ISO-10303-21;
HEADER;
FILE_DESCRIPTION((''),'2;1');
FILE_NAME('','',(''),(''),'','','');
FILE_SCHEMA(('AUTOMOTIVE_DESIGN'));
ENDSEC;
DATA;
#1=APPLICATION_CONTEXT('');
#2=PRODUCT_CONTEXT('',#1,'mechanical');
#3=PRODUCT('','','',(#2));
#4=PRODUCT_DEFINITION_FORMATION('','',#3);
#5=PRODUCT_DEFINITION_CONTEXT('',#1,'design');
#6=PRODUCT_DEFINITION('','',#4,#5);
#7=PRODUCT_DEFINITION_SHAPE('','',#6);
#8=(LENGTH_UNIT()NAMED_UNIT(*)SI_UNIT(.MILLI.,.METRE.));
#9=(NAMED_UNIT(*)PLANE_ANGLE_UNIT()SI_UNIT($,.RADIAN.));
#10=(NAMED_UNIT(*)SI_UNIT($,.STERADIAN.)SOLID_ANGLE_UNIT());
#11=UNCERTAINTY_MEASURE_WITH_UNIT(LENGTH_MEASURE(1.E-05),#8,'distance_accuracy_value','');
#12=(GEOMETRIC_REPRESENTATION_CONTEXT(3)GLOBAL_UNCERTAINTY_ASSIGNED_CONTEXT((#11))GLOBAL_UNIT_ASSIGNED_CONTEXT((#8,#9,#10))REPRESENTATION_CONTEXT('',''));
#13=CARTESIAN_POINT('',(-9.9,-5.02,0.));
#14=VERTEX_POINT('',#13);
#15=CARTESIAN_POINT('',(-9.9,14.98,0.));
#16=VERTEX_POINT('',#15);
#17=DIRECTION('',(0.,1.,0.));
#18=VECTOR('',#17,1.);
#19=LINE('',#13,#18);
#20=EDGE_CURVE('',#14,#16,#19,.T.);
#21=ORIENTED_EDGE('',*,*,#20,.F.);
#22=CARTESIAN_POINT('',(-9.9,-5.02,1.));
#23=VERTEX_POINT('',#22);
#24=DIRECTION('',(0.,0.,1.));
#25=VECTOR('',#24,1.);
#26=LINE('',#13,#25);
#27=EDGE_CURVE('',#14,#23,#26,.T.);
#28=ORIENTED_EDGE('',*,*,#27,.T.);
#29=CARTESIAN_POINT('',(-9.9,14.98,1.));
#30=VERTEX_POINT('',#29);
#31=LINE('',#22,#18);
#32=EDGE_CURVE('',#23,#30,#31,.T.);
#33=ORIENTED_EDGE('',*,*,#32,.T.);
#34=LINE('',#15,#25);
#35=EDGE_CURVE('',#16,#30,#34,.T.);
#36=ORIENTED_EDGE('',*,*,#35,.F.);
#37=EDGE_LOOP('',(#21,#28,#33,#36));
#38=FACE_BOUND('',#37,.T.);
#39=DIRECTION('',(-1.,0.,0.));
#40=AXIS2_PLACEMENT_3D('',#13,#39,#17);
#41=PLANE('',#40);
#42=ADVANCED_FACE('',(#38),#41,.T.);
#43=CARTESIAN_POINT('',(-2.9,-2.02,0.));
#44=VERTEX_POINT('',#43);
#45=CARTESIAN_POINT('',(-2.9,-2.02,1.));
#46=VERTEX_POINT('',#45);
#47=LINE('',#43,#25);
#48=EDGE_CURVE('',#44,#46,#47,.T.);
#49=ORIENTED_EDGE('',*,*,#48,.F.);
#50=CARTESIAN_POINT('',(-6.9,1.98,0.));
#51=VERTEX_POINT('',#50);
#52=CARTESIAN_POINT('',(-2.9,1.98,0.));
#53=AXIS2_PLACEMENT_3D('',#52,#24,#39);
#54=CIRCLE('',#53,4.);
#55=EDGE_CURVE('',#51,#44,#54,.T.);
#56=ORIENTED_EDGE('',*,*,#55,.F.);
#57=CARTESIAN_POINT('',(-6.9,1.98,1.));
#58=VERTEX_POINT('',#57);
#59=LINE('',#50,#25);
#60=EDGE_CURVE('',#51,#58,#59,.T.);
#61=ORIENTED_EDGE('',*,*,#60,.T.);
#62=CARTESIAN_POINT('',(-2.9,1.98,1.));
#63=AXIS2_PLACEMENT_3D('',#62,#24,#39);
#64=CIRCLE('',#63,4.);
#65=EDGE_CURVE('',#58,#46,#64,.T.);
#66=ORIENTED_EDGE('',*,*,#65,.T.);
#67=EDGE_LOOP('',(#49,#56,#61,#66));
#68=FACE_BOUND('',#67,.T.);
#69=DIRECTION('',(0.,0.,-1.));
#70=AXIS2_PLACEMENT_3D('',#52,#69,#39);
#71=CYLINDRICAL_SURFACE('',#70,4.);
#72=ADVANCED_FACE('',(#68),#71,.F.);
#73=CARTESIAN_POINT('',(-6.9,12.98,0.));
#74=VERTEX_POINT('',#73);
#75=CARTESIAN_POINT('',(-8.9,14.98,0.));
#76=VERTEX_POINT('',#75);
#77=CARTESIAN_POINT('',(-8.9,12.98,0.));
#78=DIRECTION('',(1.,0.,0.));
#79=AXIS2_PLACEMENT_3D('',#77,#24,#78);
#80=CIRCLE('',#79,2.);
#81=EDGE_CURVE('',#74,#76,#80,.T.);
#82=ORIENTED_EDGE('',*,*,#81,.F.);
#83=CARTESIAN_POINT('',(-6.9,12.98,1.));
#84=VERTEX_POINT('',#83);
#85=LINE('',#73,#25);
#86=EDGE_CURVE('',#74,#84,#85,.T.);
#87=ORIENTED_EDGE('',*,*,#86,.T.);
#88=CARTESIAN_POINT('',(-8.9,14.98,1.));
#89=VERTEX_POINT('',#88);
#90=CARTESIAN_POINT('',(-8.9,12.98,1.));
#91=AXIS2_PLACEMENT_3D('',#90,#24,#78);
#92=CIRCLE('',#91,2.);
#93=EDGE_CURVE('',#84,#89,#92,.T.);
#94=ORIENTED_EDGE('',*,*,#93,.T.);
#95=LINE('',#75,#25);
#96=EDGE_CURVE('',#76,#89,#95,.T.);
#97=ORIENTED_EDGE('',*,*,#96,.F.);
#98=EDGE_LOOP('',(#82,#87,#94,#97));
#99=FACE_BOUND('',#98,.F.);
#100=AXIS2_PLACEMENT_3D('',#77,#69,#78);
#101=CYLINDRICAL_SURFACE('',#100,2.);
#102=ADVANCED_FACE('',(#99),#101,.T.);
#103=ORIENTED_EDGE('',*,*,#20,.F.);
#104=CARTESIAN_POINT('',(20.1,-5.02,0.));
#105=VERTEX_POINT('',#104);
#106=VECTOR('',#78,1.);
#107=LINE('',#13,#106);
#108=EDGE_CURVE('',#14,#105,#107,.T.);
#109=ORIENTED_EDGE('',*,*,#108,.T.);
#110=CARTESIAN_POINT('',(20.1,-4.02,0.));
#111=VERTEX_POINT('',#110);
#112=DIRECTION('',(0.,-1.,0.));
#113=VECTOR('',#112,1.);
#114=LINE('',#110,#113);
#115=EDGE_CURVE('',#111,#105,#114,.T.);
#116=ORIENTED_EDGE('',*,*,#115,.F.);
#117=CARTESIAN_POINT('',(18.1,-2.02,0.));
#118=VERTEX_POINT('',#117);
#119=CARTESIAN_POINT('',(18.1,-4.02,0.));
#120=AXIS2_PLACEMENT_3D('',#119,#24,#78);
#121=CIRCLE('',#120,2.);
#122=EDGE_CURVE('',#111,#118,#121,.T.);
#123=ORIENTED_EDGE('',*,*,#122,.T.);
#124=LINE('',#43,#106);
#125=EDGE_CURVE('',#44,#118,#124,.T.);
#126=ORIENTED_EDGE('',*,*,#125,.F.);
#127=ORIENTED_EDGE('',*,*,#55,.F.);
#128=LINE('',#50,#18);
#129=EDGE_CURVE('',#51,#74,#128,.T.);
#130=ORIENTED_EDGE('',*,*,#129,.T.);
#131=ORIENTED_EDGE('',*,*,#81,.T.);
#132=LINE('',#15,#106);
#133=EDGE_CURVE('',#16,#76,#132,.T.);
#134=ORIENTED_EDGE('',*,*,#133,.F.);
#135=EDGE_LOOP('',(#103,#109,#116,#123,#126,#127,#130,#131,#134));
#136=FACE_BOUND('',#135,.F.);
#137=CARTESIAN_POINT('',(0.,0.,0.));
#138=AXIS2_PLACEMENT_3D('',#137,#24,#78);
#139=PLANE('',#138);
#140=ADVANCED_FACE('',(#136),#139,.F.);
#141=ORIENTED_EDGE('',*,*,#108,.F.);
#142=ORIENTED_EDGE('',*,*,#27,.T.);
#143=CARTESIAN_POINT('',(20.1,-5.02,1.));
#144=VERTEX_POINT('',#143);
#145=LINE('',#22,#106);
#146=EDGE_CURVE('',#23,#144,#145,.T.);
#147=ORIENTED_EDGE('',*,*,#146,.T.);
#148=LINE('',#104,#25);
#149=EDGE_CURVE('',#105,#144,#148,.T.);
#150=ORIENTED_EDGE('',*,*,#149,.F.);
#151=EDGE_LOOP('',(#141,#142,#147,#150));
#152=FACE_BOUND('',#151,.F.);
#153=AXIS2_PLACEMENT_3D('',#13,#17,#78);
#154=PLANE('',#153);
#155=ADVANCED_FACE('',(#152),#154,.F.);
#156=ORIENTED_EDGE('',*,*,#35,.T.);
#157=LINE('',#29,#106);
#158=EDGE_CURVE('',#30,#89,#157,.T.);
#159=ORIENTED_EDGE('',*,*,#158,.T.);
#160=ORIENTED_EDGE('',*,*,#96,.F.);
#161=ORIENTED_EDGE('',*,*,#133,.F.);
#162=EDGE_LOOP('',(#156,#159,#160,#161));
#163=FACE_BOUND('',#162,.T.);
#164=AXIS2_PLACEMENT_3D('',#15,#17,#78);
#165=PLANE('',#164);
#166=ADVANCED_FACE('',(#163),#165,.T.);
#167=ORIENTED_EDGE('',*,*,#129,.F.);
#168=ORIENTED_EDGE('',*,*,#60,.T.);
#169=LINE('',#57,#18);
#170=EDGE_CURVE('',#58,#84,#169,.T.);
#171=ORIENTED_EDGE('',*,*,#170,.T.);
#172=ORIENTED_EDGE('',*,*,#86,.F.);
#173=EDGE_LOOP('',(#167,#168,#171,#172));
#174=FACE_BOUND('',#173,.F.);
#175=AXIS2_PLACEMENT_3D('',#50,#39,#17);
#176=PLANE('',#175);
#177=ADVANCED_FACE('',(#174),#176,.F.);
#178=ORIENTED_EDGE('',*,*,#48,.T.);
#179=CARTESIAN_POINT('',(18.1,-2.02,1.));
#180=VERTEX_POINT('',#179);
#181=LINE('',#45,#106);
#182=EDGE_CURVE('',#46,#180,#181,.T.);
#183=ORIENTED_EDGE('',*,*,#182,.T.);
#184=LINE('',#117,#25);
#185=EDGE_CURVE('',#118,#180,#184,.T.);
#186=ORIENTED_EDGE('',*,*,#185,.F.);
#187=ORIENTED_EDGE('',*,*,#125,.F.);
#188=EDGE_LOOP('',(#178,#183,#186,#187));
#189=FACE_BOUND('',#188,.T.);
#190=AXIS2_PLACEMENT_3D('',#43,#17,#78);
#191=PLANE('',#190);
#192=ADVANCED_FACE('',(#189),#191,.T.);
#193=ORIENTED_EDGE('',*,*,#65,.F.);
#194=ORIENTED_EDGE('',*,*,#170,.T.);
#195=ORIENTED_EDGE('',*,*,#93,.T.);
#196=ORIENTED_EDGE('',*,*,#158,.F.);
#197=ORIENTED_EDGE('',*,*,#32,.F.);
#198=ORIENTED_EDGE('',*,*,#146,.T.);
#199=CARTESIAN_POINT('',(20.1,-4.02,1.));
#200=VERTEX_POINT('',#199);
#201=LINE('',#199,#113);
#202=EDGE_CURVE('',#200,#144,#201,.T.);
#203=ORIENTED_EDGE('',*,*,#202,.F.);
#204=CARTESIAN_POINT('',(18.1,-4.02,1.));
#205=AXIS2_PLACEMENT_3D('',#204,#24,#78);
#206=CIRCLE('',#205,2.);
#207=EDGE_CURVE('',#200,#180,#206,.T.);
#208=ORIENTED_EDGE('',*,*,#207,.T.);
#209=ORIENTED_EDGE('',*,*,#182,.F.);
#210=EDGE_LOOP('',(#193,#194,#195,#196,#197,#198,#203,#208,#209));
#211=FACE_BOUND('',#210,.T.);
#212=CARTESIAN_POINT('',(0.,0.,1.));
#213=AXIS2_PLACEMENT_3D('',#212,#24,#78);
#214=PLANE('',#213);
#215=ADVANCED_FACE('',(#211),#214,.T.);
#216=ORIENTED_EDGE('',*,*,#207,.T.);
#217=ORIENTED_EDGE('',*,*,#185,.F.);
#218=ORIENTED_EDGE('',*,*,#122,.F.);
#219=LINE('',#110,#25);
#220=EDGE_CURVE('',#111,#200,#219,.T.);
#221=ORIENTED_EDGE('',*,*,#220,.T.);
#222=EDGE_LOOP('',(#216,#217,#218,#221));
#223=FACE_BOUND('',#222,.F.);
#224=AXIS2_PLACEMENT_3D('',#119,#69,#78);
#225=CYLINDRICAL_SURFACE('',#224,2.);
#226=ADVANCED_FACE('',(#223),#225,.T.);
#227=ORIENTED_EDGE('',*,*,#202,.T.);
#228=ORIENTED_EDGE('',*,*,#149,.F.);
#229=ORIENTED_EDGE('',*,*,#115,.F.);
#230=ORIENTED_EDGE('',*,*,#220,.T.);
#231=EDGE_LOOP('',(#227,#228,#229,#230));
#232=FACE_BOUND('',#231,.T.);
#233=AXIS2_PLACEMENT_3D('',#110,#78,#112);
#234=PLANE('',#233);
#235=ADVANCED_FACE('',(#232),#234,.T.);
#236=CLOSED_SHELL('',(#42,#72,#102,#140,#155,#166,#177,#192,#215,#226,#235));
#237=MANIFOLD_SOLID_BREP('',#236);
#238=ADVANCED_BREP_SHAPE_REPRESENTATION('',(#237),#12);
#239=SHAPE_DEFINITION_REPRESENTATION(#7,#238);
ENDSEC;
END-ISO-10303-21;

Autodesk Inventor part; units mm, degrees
ref_plane "YZ Plane" through (0, 0, 0) normal (1, 0, 0) x (0, 1, 0)
ref_plane "Начальная плоскость" through (0, 0, 0) normal (0, 0, 1) x (1, 0, 0)
ref_plane "Конечная плоскость" through (0, 0, 1) normal (0, 0, 1) x (1, 0, 0)
sketch "Эскиз" plane through (0, 0, 0) normal (0, 0, 1) x (1, 0, 0)
  line L0 (-6.9, 1.98) -> (-6.9, 12.98)
  line L1 (-9.9, 14.98) -> (-8.9, 14.98)
  line L2 (-9.9, -5.02) -> (-9.9, 14.98)
  line L3 (-9.9, -5.02) -> (20.1, -5.02)
  line L4 (20.1, -4.02) -> (20.1, -5.02)
  line L5 (-2.9, -2.02) -> (18.1, -2.02)
  arc A0 (-6.9, 1.98) -> (-2.9, -2.02) centre (-2.9, 1.98) ccw
  arc A1 (-6.9, 12.98) -> (-8.9, 14.98) centre (-8.9, 12.98) ccw
  arc A2 (20.1, -4.02) -> (18.1, -2.02) centre (18.1, -4.02) ccw
  line L6 (20.1, 0) -> (-9.9, 0) construction
  line L7 (0, -5.02) -> (0, 14.98) construction
  line L8 (0, 0) -> (30, 0) construction
  point P0 (-6.9, -2.02)
  point P1 (-6.9, 14.98)
  point P2 (20.1, -2.02)
  dimension "d17" = 4
  dimension "d19" = 2
  dimension "d26" = 5.02
  dimension "d27" = 9.9
  dimension "d28" = 20
  dimension "d29" = 30
  dimension "d30" = 3
  dimension "d31" = 3
  dimension "d32" = 90
extrude "Базовый элемент" add sketch "Эскиз" along normal up to surface (1 mm away) from surface at 0
sketch "Sketch3" plane through (0, 0, 0) normal (0, 0, 1) x (1, 0, 0)
  line L0 (0, 0) -> (10, 0)
ref_plane "Work Plane10" through (0, 0, 0) normal (0, -1, 0) x (1, 0, 0)
sketch "Sketch4" plane through (0, 0, 0) normal (0, -1, 0) x (1, 0, 0)
  line L0 (-2, 0) -> (12, 0)
  line L1 (-2, 1) -> (12, 1)
  dimension "d25" = 1
equation "\"d17\" = R"
equation "\"d19\" = R1"
equation "\"d26\" = ey"
equation "\"d27\" = ex"
equation "\"d28\" = b"
equation "\"d29\" = ParH"
equation "\"d30\" = ParT"
equation "\"d31\" = ParT"
equation "\"d11\" = G_L"
equation "\"b\" = 20"
equation "\"ParT\" = 3"
equation "\"R\" = 4"
equation "\"G_L\" = d25"
equation "\"R1\" = 2"
equation "\"G_OFFSET_START\" = 0"
equation "\"G_OFFSET_END\" = 0"
equation "\"d21\" = G_OFFSET_END + B_L"
equation "\"ex\" = 9.9"
equation "\"ey\" = 5.02"
equation "\"B_L\" = 1"
equation "\"ParH\" = 30"
properties part number "Кутик ДСТУ 2251" material "С245 ДСТУ 8539"
